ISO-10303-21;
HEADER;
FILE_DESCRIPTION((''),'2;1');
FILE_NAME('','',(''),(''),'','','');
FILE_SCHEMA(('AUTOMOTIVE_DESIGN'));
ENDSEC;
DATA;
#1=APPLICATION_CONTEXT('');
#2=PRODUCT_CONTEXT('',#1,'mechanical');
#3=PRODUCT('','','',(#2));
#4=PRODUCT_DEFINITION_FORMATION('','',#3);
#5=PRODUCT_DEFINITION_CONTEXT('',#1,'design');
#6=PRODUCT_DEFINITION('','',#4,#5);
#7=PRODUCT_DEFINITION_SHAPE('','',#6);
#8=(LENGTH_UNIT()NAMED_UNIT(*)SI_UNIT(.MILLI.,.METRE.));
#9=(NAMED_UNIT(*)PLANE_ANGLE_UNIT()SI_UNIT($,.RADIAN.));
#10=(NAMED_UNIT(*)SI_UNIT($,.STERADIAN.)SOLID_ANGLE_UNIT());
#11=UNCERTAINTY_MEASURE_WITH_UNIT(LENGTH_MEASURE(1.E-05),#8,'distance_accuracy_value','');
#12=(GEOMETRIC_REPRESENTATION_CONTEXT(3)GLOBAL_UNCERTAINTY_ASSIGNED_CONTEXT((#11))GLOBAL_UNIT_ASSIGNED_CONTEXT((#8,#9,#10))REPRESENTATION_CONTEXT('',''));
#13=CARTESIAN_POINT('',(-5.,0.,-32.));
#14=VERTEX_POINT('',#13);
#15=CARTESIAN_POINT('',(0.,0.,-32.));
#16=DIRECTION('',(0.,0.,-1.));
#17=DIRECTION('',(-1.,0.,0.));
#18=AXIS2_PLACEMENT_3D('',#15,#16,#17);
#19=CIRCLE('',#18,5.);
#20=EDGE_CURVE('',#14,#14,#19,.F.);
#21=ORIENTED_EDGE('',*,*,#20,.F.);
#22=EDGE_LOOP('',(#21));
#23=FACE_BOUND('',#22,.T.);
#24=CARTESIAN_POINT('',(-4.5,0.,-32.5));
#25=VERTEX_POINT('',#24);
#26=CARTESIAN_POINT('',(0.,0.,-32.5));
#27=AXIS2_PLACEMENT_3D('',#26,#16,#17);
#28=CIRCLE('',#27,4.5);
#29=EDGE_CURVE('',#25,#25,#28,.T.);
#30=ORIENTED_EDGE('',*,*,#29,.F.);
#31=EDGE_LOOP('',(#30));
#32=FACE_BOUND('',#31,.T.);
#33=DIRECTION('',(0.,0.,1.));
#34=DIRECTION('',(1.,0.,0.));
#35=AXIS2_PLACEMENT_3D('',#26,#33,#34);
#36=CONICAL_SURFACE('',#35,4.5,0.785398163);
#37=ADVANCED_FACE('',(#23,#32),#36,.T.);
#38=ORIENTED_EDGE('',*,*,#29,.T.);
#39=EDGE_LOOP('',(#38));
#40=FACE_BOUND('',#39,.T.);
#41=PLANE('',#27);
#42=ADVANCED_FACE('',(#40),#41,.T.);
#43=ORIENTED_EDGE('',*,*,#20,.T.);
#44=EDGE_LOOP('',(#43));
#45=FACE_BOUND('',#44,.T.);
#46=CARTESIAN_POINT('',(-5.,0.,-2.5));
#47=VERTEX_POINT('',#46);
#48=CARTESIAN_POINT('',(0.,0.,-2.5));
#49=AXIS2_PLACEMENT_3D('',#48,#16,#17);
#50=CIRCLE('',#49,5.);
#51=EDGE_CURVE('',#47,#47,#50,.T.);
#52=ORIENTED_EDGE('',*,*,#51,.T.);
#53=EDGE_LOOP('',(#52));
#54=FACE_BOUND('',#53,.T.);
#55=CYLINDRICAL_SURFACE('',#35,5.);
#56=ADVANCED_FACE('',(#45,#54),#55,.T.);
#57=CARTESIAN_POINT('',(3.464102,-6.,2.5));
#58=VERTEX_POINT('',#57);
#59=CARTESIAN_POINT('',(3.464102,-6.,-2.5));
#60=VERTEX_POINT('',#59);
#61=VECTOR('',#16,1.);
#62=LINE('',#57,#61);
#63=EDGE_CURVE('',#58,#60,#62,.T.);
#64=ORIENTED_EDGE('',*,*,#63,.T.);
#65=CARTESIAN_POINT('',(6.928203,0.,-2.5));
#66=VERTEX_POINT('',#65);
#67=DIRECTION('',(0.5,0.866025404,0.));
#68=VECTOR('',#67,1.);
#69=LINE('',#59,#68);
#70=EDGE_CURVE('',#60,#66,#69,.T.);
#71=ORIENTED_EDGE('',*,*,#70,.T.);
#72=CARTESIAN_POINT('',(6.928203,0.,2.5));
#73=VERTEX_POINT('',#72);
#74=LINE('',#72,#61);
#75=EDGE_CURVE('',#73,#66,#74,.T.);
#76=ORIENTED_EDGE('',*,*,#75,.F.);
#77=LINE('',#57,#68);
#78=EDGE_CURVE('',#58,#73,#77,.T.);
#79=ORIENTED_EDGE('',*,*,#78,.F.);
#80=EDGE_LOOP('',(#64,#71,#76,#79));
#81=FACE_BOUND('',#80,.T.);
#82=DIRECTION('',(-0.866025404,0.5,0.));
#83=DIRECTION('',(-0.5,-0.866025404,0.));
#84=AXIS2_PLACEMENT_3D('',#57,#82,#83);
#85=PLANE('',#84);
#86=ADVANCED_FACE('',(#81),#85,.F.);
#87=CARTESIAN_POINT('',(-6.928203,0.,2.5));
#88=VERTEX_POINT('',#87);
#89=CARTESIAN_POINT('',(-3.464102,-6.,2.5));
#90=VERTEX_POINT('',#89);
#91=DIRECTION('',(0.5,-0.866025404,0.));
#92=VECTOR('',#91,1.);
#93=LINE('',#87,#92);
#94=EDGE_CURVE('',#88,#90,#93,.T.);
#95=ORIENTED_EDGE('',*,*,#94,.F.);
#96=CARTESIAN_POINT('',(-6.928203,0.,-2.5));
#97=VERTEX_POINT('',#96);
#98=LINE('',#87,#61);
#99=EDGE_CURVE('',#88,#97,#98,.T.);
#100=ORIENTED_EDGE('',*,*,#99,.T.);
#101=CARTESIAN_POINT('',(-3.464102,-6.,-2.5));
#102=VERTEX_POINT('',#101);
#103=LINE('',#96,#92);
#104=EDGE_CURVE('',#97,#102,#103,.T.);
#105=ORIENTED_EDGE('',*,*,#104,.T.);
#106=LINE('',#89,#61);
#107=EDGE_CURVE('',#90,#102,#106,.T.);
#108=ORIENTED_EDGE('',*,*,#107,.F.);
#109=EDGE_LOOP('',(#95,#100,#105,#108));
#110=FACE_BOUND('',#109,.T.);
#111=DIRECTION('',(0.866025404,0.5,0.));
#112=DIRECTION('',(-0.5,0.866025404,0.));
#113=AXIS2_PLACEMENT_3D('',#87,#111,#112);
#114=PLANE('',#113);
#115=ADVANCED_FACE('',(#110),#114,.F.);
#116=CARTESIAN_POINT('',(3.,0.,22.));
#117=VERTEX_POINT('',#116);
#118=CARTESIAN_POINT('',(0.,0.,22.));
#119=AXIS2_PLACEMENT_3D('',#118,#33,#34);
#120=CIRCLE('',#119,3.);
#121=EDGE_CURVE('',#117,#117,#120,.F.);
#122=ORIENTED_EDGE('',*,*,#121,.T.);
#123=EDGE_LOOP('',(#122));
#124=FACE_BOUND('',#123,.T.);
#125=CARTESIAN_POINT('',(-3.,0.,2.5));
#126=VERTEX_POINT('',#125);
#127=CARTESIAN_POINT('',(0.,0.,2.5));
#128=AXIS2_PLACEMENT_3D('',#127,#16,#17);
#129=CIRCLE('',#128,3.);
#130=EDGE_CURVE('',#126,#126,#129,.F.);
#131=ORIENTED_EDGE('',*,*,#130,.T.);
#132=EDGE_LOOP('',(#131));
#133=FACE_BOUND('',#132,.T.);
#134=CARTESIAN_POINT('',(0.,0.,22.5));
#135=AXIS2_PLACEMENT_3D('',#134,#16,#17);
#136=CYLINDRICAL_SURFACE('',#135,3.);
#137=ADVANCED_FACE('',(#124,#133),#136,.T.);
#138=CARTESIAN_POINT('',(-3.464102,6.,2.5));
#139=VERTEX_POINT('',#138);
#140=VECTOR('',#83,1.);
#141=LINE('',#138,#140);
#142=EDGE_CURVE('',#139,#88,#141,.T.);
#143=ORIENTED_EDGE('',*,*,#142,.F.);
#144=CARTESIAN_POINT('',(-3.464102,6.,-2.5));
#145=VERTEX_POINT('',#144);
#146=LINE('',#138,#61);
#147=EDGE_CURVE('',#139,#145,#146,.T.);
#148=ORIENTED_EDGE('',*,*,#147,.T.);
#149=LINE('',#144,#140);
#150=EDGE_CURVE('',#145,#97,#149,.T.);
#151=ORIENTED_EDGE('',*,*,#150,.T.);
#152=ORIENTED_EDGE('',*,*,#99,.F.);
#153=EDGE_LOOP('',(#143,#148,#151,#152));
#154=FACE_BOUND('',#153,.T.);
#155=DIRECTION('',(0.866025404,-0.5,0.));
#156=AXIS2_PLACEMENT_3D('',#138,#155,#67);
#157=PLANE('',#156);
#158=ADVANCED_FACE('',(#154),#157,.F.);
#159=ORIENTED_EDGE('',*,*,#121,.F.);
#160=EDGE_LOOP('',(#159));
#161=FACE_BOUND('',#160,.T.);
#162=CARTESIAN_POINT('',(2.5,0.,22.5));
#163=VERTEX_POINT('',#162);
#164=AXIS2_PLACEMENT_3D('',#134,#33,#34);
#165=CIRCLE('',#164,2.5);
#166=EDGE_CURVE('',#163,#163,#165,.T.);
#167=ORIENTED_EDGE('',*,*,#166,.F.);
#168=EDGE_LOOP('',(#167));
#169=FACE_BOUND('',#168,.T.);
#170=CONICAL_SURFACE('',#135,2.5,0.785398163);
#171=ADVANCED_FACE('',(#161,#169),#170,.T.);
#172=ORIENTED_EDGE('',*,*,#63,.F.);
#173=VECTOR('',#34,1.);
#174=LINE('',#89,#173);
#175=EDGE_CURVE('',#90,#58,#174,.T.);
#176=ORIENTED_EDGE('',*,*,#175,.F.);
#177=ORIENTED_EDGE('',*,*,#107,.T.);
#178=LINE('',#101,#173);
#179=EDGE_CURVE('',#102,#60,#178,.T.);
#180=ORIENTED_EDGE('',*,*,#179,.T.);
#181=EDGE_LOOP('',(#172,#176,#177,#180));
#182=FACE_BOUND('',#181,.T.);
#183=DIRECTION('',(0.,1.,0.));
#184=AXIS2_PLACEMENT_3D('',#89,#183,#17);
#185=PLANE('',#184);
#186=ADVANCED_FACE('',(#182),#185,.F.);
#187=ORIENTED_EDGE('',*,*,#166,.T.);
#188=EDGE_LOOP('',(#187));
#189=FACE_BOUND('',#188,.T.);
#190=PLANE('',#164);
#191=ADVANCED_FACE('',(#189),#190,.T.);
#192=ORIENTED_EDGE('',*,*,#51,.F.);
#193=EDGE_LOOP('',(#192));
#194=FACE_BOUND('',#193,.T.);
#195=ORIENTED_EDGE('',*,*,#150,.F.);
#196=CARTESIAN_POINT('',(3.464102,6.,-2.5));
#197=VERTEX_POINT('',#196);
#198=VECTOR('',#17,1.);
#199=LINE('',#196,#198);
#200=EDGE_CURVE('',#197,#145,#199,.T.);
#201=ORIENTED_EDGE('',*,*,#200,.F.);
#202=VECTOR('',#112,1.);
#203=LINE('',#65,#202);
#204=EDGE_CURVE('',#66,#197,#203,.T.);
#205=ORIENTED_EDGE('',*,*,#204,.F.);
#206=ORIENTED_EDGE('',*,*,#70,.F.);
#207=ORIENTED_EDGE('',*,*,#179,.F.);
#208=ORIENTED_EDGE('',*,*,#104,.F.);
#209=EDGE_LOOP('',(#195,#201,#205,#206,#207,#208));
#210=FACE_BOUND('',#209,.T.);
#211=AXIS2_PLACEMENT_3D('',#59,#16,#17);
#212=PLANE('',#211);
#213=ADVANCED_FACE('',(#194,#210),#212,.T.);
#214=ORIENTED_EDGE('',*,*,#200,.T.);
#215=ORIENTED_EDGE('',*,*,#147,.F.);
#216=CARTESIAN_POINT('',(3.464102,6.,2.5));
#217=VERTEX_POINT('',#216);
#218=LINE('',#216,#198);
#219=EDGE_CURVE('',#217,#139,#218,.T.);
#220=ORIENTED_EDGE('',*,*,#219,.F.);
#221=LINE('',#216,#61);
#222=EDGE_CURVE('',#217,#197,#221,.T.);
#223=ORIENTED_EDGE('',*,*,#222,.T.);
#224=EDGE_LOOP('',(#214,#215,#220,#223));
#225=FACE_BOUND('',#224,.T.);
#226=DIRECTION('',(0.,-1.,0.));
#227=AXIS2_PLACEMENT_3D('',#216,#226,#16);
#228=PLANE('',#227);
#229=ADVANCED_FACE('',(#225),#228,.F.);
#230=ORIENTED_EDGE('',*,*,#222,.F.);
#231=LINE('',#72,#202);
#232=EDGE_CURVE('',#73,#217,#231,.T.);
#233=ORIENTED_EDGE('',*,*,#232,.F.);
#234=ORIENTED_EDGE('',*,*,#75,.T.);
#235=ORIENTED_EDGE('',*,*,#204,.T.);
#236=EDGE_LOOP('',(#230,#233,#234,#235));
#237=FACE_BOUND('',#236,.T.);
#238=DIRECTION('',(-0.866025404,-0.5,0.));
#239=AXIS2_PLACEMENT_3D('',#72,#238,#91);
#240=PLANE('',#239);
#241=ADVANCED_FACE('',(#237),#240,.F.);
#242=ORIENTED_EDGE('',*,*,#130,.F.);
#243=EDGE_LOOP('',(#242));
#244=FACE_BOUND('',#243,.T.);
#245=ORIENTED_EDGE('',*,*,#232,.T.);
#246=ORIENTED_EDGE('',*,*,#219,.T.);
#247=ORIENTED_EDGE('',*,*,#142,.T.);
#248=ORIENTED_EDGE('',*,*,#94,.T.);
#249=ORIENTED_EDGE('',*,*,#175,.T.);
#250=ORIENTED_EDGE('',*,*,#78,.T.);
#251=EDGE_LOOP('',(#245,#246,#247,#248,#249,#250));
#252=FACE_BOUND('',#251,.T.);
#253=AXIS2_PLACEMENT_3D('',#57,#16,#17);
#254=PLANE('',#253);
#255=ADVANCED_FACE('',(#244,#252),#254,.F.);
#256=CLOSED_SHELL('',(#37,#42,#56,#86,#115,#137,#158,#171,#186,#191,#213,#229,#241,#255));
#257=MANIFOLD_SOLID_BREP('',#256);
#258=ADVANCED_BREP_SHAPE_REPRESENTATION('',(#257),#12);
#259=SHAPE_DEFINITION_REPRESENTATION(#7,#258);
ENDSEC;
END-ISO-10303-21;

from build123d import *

# Parameters (mm, degrees)
EXTRUS_O1_DEPTH = 2.5
ESBO_O2_R       = 3
EXTRUS_O2_DEPTH = 20
ESBO_O3_R       = 5
EXTRUS_O3_DEPTH = 30
CHANFRO1_SIZE   = 0.5


with BuildPart() as part:
    # Esboço1 → Extrusão1 (new, symmetric)
    with BuildSketch(Plane.XY):
        Polygon((6.92820323, 0), (3.464101615, 6), (-3.464101615, 6), (-6.92820323, 0), (-3.464101615, -6), (3.464101615, -6), align=None)
    extrude(amount=EXTRUS_O1_DEPTH, both=True)

    # Esboço2 → Extrusão2 (add)
    with BuildSketch(Plane.XY.offset(2.5)):
        with Locations(Location((0, 0, 0), (0, 0, 180))):
            Circle(ESBO_O2_R)
    extrude(amount=EXTRUS_O2_DEPTH)

    # Esboço3 → Extrusão3 (add)
    with BuildSketch(Plane(origin=(0, 0, -2.5), x_dir=(-1, 0, 0), z_dir=(0, 0, -1))):
        Circle(ESBO_O3_R)
    extrude(amount=EXTRUS_O3_DEPTH)

    # Chanfro1
    chanfro1_edges = [part.edges().sort_by_distance(p)[0] for p in [
        (3, 0, 22.5),
        (5, 0, -32.5),
    ]]
    chamfer(chanfro1_edges, length=CHANFRO1_SIZE)


solid = part.part
